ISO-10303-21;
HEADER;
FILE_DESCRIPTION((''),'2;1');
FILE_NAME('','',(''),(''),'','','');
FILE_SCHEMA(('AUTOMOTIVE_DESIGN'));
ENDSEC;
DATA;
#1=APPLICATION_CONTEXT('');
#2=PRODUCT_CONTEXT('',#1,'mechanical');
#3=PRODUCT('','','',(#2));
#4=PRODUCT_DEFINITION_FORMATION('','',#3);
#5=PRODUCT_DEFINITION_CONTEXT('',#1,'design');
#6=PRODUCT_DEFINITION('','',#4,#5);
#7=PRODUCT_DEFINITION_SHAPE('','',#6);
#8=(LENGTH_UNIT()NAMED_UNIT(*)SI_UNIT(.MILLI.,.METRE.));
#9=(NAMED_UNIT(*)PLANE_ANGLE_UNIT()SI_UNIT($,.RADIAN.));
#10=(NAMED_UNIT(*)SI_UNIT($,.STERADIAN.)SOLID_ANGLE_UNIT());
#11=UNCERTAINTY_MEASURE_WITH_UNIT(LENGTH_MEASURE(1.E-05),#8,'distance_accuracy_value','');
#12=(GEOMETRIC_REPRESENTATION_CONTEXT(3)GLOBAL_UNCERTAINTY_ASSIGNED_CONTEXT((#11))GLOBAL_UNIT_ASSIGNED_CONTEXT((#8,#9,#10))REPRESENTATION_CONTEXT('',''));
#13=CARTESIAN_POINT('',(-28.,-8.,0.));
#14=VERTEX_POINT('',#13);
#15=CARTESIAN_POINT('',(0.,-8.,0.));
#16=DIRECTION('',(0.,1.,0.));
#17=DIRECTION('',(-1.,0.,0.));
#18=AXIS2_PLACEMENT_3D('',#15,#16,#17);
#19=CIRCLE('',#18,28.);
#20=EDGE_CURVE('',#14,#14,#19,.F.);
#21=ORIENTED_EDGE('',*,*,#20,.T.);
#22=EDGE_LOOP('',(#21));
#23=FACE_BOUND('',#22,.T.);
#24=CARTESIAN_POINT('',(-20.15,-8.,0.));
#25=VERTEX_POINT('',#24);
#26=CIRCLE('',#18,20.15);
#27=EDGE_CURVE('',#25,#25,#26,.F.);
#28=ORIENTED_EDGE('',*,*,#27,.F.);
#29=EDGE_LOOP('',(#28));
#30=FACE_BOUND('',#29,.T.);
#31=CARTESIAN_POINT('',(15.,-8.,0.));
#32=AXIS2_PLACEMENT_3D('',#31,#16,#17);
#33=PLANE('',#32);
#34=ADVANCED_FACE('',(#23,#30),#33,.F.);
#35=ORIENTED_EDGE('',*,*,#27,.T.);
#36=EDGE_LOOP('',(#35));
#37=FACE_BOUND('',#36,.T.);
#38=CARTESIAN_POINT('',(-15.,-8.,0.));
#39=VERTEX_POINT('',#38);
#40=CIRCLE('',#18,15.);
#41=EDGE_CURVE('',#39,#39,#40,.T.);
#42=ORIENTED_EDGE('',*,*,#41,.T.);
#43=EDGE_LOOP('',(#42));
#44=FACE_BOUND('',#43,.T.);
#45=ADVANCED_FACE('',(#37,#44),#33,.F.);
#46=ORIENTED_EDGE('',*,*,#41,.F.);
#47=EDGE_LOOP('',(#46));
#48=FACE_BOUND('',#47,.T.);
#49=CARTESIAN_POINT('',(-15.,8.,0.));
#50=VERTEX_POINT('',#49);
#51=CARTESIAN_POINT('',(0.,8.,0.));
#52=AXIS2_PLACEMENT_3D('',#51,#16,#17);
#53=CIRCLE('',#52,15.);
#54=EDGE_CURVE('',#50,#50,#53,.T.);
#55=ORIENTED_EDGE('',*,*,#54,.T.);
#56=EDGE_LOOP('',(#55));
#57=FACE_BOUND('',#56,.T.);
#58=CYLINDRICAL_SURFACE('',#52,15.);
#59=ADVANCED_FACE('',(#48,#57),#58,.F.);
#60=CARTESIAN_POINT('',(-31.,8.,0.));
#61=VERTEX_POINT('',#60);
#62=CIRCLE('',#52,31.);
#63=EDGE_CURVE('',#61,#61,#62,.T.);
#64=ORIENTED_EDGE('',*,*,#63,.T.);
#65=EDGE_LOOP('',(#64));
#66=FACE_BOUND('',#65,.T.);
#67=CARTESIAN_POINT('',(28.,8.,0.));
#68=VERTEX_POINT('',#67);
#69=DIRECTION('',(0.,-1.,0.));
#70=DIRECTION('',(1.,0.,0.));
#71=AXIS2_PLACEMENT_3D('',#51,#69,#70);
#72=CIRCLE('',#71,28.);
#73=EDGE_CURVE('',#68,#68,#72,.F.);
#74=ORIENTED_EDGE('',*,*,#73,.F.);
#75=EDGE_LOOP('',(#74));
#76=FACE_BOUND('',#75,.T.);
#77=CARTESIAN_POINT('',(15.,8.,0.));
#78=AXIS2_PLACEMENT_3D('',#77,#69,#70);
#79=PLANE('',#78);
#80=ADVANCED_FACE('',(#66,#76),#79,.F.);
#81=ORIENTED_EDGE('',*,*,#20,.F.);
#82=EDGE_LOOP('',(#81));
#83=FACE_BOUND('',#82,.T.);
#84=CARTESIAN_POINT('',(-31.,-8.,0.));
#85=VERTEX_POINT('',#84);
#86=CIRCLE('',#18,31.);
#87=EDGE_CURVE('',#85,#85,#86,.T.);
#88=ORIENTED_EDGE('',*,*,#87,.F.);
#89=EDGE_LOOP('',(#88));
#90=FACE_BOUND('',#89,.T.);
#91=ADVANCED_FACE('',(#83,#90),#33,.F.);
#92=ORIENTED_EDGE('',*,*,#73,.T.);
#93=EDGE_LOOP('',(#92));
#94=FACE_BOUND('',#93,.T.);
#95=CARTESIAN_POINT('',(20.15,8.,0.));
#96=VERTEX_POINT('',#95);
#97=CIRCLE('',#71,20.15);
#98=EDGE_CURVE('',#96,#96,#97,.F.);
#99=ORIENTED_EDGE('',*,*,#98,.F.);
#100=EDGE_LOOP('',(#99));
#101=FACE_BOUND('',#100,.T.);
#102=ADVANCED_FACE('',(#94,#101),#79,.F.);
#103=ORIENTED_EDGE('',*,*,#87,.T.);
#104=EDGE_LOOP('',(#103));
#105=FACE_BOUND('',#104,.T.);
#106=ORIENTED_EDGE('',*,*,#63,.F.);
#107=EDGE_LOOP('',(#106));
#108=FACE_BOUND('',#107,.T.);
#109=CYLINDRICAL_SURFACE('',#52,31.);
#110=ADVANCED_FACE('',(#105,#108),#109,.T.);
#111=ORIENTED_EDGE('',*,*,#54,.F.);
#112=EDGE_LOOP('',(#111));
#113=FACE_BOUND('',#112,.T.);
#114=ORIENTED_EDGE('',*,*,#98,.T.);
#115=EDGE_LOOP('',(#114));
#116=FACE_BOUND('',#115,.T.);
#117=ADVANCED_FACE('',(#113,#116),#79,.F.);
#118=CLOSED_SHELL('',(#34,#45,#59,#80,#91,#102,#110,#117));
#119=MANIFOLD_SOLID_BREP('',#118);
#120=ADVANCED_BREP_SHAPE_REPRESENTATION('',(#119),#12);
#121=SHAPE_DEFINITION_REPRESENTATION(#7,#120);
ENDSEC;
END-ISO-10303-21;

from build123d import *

# Parameters (mm, degrees)
SKETCH1_W = 16
SKETCH1_H = 16


with BuildPart() as part:
    # Sketch1 → Revolve1 (revolve)
    with BuildSketch(Plane.XY, mode=Mode.PRIVATE) as revolve1_sk:
        with Locations((23, 0)):
            Rectangle(SKETCH1_W, SKETCH1_H)
    revolve(revolve1_sk.sketch.rotate(Axis((0, 8, 0), (0, -1, 0)), 180), axis=Axis((0, 8, 0), (0, -1, 0)))


solid = part.part
